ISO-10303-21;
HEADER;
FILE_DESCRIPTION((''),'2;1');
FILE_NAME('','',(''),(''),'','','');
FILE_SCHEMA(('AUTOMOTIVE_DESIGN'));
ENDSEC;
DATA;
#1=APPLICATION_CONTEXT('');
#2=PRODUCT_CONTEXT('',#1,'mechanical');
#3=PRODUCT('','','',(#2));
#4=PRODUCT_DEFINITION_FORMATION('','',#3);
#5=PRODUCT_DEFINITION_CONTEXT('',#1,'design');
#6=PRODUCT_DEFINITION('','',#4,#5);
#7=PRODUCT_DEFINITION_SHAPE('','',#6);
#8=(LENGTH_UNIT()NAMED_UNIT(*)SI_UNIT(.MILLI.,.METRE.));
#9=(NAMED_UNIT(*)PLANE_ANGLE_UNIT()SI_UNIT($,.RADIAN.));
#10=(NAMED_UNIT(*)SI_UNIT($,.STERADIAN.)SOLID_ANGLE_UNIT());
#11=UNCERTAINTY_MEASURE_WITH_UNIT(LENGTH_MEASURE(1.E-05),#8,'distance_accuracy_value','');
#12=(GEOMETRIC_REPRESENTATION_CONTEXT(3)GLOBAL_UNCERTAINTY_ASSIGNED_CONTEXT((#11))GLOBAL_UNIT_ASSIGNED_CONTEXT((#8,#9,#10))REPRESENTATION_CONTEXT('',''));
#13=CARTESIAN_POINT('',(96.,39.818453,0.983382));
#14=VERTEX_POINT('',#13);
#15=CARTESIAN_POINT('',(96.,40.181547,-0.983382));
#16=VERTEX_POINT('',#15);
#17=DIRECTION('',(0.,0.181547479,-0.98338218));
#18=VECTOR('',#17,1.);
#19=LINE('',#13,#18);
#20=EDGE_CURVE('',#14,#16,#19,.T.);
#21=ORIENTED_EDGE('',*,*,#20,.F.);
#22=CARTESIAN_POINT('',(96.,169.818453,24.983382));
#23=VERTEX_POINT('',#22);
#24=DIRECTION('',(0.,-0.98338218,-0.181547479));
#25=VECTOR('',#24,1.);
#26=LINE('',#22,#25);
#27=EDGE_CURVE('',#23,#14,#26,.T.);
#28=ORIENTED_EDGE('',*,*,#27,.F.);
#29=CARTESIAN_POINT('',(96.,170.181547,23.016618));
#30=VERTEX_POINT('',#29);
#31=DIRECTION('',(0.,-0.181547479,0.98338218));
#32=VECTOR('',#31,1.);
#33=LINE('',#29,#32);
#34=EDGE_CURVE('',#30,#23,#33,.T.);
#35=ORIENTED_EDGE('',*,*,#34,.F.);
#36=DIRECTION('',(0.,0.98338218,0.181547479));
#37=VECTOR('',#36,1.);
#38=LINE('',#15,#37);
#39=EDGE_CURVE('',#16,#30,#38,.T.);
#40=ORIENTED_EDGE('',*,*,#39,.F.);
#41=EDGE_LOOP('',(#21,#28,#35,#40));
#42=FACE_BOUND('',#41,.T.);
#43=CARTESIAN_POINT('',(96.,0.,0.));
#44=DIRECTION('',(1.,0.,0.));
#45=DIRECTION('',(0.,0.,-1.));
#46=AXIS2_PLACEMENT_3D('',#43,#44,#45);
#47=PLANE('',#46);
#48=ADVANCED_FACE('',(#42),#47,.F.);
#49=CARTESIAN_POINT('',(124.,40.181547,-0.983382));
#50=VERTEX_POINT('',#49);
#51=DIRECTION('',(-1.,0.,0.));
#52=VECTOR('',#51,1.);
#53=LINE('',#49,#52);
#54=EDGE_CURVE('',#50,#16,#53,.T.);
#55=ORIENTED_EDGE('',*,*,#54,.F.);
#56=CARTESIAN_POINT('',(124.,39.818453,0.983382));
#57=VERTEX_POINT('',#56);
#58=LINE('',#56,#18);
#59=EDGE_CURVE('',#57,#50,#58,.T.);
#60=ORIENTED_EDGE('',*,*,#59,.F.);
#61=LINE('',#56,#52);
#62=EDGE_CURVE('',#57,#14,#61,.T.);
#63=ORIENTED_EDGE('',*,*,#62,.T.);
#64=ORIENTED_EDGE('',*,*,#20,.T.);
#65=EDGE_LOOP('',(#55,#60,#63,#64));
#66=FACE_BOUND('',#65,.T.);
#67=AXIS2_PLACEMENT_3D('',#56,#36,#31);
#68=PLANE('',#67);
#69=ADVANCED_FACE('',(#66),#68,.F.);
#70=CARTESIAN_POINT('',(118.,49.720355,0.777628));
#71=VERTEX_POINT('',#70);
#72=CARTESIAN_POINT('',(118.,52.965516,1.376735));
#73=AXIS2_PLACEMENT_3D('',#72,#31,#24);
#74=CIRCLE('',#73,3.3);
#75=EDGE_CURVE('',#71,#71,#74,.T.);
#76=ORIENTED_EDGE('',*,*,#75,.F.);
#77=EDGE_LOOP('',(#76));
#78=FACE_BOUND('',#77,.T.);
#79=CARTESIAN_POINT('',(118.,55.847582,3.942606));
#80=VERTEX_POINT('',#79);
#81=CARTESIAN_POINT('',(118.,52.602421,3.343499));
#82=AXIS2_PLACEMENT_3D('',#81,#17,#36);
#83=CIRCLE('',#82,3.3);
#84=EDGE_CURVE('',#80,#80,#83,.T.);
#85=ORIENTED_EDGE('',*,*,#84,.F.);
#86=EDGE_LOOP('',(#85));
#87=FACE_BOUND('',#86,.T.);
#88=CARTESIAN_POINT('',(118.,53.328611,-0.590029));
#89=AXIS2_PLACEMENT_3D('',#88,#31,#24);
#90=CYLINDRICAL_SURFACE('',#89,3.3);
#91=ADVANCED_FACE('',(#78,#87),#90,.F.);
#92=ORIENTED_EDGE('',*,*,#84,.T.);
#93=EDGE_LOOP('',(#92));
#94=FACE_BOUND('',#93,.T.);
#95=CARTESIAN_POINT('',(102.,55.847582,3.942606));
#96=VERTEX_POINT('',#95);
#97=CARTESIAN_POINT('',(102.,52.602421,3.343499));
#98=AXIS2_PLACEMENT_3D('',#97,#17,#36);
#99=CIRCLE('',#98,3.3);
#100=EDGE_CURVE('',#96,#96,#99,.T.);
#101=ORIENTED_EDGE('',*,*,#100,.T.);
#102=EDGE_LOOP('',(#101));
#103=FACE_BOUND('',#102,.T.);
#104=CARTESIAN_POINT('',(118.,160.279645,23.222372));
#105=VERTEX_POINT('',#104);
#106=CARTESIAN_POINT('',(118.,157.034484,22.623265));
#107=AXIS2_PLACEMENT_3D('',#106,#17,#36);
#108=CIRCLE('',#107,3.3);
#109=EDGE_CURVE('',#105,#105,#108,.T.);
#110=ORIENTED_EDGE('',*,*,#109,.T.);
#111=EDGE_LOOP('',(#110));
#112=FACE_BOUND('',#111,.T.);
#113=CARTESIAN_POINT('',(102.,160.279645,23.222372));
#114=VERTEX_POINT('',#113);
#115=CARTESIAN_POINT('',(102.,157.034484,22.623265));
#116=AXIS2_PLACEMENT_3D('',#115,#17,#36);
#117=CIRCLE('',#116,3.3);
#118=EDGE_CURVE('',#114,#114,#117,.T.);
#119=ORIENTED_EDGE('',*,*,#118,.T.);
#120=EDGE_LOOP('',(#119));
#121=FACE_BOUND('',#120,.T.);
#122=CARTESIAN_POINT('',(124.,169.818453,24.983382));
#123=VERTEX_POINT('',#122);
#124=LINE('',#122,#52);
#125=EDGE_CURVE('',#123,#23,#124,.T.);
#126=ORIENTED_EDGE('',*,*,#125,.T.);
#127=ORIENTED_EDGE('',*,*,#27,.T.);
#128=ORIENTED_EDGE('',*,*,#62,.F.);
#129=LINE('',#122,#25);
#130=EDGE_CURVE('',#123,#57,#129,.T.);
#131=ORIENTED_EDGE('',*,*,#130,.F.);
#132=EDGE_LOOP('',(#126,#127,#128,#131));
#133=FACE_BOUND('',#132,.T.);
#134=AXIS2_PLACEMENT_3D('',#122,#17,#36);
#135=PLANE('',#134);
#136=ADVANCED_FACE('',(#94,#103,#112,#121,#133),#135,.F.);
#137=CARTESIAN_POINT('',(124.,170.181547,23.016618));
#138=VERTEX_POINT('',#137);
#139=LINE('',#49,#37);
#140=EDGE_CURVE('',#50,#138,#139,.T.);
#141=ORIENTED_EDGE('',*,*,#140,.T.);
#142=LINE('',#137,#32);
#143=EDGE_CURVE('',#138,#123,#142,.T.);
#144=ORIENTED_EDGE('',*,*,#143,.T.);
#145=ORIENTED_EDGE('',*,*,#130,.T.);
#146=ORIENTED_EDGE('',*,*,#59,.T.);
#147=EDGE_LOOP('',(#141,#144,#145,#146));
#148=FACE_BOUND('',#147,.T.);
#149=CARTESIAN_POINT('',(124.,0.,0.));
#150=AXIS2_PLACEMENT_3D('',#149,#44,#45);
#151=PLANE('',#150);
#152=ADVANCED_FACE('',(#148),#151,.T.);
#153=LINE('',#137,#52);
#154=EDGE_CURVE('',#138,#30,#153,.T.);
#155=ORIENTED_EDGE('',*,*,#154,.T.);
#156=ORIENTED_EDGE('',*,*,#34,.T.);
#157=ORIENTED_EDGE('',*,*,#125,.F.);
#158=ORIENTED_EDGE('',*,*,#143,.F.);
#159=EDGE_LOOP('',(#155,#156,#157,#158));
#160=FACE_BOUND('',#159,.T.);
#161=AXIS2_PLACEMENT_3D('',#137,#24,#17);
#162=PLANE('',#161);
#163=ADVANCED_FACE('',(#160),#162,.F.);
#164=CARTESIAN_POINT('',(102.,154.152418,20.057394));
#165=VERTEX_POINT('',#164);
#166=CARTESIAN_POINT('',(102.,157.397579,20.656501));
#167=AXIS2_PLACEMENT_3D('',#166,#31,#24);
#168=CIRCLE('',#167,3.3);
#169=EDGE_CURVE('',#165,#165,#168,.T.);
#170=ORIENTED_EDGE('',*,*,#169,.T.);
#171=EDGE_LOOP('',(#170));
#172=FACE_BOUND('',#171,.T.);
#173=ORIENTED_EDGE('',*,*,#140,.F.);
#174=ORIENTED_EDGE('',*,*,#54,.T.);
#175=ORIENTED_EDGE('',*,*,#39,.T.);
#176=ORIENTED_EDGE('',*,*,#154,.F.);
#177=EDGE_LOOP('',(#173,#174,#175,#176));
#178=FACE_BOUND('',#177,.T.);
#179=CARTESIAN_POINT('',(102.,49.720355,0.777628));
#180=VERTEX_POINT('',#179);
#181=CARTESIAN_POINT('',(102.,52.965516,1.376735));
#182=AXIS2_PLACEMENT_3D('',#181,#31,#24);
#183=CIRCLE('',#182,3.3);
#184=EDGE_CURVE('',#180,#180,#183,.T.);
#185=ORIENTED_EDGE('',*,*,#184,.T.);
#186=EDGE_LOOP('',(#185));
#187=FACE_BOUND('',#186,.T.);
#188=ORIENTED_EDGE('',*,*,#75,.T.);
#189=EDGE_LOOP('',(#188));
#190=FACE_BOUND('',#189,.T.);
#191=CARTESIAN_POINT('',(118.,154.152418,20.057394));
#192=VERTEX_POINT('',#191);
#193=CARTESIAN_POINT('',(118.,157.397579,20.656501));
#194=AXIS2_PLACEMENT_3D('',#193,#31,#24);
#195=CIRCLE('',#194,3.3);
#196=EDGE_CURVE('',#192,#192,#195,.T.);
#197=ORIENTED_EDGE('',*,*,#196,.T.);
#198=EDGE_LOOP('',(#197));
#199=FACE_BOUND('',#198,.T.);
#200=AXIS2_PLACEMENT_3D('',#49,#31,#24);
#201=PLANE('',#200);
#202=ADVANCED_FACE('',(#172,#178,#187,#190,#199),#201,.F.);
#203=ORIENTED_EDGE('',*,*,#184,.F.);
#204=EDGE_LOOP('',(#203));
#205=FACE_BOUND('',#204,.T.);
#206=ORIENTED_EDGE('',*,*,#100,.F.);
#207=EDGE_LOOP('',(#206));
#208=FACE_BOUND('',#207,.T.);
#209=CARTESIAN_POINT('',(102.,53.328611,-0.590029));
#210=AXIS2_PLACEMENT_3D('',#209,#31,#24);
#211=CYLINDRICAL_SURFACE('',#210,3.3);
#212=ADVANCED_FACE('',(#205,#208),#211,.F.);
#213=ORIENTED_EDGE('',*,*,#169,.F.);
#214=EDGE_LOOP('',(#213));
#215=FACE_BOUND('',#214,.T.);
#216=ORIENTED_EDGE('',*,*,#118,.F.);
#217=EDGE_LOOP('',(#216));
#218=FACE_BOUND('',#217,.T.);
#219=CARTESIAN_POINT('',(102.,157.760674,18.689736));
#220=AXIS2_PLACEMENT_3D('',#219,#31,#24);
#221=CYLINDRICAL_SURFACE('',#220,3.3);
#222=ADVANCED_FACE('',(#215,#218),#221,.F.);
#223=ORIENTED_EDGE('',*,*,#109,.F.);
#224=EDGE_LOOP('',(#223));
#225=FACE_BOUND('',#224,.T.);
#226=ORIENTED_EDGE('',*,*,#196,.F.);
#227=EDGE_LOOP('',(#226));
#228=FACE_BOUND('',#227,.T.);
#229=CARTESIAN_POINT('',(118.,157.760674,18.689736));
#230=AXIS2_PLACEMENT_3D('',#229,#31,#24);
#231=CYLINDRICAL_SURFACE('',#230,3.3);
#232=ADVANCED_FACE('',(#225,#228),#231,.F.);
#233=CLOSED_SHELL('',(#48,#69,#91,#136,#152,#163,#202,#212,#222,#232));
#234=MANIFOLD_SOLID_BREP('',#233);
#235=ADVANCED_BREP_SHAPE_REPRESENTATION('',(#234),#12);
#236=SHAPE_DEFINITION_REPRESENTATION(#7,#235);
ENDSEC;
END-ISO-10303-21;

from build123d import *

# Parameters (mm, degrees)
LEAF_START           = 96
LEAF_DEPTH           = 28
SKETCH_2_R           = 3.3
MOUNTING_HOLES_DEPTH = 4


with BuildPart() as part:
    # 草图1 → Leaf (new body)
    with BuildSketch(Plane(origin=(0, 0, 0), x_dir=(0, 0, -1), z_dir=(1, 0, 0)).offset(LEAF_START)):
        Polygon((0.98338218, 40.181547479), (-23.01661782, 170.181547479), (-24.98338218, 169.818452521), (-0.98338218, 39.818452521), align=None)
    extrude(amount=LEAF_DEPTH)

    # 草图2 → Mounting Holes (cut, symmetric)
    with BuildSketch(Plane(origin=(0, 1.136832012, -6.157840067), x_dir=(1, 0, 0), z_dir=(0, -0.18154747945610336, 0.9833821803872266))):
        with Locations(Location((102, 52.335287215, 0), (0, 0, 270))):
            Circle(SKETCH_2_R)
        with Locations(Location((118, 52.335287215, 0), (0, 0, 270))):
            Circle(SKETCH_2_R)
        with Locations(Location((102, 158.532110173, 0), (0, 0, 270))):
            Circle(SKETCH_2_R)
        with Locations(Location((118, 158.532110173, 0), (0, 0, 270))):
            Circle(SKETCH_2_R)
    extrude(amount=MOUNTING_HOLES_DEPTH, both=True, mode=Mode.SUBTRACT)


solid = part.part
